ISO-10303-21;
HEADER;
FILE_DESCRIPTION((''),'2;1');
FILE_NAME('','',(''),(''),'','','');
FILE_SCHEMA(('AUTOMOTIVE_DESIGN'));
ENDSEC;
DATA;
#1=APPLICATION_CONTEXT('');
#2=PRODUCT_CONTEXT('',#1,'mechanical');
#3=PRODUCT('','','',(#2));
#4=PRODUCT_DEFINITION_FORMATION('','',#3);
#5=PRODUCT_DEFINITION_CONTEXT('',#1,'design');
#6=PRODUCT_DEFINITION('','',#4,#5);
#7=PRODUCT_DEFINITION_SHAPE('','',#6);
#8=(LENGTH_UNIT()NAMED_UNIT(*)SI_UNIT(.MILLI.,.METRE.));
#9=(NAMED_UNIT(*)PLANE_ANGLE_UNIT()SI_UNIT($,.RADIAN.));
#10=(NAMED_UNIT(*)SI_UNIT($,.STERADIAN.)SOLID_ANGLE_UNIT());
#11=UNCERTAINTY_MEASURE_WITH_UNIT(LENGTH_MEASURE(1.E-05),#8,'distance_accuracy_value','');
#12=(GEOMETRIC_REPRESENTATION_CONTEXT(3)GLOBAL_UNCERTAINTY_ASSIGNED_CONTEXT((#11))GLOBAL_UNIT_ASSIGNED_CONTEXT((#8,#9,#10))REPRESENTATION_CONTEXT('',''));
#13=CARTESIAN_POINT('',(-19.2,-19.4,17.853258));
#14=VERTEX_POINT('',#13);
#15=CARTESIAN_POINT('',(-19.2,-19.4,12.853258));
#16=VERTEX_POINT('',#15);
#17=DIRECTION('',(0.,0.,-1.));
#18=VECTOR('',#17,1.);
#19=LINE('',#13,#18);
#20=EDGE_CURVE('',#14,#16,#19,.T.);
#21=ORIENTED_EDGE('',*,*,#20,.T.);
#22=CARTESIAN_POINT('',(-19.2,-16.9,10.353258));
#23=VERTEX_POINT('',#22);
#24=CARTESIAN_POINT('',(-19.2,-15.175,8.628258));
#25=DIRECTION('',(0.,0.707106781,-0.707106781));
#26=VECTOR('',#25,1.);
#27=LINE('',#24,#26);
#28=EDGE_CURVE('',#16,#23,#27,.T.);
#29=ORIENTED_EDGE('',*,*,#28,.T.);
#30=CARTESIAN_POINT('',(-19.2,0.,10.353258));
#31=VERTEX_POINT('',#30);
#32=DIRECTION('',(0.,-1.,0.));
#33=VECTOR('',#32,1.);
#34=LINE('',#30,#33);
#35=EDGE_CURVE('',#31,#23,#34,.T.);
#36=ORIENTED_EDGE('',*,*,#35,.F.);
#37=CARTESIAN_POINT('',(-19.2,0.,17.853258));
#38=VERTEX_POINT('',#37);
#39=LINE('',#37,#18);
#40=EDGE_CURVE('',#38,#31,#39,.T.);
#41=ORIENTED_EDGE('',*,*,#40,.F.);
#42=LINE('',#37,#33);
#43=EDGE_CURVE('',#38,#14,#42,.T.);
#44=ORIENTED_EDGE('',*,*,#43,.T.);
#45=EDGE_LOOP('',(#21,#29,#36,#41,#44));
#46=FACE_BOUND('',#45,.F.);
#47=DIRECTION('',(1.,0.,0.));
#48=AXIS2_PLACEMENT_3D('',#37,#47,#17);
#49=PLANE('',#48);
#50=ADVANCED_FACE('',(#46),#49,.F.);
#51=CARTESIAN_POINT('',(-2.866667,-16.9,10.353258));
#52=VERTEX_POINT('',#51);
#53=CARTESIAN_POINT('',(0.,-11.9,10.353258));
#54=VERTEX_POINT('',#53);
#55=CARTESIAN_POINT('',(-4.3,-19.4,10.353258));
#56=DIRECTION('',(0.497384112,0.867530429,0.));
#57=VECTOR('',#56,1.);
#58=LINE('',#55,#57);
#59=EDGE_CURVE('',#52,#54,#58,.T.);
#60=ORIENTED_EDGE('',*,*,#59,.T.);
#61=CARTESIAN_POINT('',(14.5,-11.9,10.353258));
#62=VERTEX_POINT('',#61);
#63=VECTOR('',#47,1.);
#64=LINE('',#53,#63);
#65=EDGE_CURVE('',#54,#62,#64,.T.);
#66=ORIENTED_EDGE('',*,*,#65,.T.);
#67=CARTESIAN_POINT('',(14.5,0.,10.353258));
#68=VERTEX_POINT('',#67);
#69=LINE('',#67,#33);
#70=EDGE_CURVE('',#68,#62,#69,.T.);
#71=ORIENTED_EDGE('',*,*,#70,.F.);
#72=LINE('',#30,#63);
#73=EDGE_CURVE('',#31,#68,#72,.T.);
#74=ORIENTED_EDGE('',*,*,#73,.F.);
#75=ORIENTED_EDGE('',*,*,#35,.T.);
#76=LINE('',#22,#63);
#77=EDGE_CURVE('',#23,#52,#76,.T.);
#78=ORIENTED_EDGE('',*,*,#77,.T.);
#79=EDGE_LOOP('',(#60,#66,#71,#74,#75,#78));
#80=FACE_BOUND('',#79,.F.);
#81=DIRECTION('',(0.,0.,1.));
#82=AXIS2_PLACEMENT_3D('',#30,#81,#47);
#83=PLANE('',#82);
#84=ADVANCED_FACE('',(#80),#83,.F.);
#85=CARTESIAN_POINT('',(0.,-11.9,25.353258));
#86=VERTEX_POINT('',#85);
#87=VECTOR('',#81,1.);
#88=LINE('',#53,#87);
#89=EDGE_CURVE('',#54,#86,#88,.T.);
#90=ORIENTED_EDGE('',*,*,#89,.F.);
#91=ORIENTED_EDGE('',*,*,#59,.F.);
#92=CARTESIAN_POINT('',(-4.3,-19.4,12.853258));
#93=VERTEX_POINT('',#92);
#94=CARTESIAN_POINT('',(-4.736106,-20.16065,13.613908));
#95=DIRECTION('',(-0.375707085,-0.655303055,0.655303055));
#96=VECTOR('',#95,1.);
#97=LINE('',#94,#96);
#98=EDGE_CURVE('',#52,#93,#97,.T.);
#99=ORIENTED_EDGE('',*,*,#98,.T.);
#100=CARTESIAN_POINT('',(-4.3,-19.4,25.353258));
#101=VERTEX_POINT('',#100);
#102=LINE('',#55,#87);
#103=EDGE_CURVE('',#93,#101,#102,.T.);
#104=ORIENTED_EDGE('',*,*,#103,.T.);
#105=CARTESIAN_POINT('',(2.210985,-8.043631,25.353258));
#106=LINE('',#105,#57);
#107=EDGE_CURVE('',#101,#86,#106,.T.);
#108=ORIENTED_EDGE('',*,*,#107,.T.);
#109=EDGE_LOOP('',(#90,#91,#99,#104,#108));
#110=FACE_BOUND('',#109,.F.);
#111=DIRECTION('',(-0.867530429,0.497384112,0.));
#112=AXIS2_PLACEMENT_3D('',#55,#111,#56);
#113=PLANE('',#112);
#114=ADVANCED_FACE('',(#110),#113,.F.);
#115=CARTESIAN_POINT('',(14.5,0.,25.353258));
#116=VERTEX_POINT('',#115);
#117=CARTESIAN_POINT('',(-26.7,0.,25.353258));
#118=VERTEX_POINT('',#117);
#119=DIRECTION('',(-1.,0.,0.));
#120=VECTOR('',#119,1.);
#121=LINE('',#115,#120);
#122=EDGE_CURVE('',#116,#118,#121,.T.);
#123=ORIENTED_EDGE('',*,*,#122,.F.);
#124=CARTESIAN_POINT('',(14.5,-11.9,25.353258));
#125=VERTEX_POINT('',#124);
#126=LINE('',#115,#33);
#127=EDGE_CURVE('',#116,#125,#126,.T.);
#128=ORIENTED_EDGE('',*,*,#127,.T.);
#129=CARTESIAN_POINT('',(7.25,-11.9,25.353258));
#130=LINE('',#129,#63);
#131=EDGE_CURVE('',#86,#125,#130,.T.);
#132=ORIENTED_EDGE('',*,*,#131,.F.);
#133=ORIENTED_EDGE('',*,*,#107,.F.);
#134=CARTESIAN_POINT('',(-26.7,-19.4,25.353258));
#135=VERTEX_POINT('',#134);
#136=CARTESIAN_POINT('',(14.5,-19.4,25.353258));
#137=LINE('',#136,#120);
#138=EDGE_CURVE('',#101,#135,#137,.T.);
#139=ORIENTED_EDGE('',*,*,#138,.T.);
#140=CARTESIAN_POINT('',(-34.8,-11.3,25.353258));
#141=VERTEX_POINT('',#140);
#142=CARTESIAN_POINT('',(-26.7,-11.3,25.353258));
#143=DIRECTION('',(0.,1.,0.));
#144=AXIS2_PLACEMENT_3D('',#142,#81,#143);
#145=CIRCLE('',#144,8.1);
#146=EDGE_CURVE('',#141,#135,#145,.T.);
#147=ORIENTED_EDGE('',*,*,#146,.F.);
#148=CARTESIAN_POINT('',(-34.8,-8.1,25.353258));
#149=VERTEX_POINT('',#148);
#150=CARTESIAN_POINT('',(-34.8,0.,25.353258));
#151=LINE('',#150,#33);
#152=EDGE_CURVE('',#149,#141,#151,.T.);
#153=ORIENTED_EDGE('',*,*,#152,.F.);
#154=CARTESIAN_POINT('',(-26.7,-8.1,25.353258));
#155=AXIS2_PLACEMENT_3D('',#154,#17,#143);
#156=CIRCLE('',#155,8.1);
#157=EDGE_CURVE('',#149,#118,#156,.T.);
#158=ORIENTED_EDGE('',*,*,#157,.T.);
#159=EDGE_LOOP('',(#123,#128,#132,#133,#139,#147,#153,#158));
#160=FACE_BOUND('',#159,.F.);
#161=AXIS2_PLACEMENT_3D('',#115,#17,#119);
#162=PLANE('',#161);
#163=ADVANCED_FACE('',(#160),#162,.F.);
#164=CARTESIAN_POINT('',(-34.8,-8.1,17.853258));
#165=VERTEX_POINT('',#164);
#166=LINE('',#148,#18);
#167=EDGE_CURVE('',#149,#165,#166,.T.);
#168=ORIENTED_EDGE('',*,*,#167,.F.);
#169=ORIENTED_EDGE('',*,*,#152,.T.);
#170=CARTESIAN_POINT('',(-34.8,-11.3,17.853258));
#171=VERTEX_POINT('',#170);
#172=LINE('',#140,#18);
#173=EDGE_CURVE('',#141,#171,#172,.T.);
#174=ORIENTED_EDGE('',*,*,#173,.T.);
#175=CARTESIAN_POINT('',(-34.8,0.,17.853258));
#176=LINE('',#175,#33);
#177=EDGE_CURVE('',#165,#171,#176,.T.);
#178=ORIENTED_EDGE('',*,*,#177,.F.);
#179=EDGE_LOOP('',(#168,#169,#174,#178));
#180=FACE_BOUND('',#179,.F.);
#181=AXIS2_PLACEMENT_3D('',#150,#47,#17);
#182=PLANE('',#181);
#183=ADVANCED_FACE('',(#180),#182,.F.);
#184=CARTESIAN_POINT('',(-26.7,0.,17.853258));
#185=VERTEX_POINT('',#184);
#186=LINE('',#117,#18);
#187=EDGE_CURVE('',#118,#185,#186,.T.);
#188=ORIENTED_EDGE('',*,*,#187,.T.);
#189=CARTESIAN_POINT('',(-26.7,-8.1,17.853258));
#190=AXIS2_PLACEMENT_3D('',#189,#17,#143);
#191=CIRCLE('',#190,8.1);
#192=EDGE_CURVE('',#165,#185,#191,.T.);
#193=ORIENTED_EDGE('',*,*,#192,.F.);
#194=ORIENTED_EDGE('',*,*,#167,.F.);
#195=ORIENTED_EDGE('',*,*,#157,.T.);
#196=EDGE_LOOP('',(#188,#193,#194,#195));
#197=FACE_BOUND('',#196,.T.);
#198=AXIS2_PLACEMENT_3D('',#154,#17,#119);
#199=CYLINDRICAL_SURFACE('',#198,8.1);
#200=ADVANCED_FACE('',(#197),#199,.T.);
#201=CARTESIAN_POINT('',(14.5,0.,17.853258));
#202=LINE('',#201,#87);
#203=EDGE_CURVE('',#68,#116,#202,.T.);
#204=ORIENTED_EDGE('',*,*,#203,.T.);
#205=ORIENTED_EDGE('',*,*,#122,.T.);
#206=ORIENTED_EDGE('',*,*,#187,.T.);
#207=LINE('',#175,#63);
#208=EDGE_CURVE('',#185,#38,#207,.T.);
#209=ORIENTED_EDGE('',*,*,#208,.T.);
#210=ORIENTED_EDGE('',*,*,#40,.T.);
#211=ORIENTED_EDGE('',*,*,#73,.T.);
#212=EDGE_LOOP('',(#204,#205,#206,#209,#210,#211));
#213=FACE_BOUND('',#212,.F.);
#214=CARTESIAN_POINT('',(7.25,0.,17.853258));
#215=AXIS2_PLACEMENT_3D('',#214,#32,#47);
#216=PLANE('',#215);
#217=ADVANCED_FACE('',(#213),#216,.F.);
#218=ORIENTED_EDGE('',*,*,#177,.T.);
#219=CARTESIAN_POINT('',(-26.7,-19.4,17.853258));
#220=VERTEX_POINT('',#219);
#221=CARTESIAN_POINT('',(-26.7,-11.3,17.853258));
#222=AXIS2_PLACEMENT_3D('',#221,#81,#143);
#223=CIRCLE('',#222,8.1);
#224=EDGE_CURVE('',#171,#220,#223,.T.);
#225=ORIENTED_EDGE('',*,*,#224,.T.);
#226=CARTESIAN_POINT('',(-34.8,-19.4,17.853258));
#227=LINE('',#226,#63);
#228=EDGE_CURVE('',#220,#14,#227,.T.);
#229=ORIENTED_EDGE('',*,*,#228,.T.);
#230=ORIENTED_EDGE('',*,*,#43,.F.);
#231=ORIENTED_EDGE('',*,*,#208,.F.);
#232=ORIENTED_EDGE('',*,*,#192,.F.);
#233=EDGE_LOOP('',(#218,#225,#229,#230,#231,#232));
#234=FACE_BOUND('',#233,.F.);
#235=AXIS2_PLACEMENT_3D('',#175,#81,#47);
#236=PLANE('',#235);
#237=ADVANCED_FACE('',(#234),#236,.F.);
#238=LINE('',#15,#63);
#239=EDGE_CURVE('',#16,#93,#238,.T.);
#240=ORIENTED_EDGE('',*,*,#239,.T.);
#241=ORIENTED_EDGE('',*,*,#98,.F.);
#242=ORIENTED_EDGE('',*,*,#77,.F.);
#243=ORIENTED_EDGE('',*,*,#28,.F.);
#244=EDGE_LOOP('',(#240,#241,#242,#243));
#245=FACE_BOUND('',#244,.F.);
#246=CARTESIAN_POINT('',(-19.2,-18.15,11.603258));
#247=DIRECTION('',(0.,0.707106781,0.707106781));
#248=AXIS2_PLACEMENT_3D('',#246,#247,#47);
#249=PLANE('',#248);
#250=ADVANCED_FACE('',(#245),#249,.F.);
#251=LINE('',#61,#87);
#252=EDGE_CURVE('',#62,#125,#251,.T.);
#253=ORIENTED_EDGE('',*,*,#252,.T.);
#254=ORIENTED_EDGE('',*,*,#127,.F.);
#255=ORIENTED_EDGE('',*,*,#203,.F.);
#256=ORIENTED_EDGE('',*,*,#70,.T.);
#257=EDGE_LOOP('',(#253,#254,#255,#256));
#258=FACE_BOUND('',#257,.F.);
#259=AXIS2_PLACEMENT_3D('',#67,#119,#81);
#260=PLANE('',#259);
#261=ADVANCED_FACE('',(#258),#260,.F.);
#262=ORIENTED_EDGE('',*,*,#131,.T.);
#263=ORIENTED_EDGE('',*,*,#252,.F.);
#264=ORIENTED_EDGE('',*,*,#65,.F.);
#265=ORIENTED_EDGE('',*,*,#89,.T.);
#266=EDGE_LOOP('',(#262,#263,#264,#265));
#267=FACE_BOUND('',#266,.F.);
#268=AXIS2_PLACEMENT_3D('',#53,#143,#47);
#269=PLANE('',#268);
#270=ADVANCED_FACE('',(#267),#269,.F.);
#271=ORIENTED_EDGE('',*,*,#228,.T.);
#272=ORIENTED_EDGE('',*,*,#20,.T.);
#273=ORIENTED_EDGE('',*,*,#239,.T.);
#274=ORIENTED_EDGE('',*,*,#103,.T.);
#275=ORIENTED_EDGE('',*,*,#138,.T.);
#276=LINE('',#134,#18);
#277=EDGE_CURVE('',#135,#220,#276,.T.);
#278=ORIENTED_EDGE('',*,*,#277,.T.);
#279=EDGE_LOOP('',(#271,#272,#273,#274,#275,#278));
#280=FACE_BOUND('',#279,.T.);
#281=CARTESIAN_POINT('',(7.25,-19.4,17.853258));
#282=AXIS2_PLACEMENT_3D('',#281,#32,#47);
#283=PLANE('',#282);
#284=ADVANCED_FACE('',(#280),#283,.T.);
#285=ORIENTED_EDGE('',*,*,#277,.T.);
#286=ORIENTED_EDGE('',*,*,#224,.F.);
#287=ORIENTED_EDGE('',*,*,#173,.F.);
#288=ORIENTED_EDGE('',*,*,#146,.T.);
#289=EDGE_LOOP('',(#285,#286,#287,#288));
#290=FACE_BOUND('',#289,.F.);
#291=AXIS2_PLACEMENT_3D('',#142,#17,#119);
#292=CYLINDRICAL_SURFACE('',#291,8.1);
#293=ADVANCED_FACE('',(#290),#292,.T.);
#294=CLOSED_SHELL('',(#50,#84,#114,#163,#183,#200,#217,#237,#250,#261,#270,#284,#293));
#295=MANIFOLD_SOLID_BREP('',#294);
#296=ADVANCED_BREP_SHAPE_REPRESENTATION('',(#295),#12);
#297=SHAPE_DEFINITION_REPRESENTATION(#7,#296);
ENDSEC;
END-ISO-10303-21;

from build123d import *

# Parameters (mm, degrees)
F0_W     = 14.5
F0_H     = 15
F1_DEPTH = 19.4
F2_R     = 8.1
F3_R     = 8.1
F4_SIZE  = 2.5
F6_DEPTH = 15.001


with BuildPart() as f1:
    # F0 (on Front) → F1 (new body)
    with BuildSketch(Plane.XZ):
        with Locations((7.25, 17.853258)):
            Rectangle(F0_W, F0_H)
        Polygon((0, 25.353258), (-34.8, 25.353258), (-34.8, 17.853258), (-19.2, 17.853258), (-19.2, 13.122616), (-19.2, 10.353258), (0, 10.353258), align=None)
    extrude(amount=F1_DEPTH)

    # F2
    f2_edges = [f1.edges().sort_by_distance(p)[0] for p in [
        (-34.8, 0, 21.603258),
    ]]
    fillet(f2_edges, radius=F2_R)

    # F3
    f3_edges = [f1.edges().sort_by_distance(p)[0] for p in [
        (-34.8, -19.4, 21.603258),
    ]]
    fillet(f3_edges, radius=F3_R)

    # F4
    f4_edges = [f1.edges().sort_by_distance(p)[0] for p in [
        (-2.35, -19.4, 10.353258),
    ]]
    chamfer(f4_edges, length=F4_SIZE)

    # F5 (on face) → F6 (cut, through all)
    with BuildSketch(Plane(origin=(0, 0, 10.353258), x_dir=(1, 0, 0), z_dir=(0, 0, -1))):
        Polygon((0, 11.9), (14.5, 11.9), (14.5, 19.4), (-4.3, 19.4), align=None)
    extrude(amount=-F6_DEPTH, mode=Mode.SUBTRACT)


solid = f1.part
